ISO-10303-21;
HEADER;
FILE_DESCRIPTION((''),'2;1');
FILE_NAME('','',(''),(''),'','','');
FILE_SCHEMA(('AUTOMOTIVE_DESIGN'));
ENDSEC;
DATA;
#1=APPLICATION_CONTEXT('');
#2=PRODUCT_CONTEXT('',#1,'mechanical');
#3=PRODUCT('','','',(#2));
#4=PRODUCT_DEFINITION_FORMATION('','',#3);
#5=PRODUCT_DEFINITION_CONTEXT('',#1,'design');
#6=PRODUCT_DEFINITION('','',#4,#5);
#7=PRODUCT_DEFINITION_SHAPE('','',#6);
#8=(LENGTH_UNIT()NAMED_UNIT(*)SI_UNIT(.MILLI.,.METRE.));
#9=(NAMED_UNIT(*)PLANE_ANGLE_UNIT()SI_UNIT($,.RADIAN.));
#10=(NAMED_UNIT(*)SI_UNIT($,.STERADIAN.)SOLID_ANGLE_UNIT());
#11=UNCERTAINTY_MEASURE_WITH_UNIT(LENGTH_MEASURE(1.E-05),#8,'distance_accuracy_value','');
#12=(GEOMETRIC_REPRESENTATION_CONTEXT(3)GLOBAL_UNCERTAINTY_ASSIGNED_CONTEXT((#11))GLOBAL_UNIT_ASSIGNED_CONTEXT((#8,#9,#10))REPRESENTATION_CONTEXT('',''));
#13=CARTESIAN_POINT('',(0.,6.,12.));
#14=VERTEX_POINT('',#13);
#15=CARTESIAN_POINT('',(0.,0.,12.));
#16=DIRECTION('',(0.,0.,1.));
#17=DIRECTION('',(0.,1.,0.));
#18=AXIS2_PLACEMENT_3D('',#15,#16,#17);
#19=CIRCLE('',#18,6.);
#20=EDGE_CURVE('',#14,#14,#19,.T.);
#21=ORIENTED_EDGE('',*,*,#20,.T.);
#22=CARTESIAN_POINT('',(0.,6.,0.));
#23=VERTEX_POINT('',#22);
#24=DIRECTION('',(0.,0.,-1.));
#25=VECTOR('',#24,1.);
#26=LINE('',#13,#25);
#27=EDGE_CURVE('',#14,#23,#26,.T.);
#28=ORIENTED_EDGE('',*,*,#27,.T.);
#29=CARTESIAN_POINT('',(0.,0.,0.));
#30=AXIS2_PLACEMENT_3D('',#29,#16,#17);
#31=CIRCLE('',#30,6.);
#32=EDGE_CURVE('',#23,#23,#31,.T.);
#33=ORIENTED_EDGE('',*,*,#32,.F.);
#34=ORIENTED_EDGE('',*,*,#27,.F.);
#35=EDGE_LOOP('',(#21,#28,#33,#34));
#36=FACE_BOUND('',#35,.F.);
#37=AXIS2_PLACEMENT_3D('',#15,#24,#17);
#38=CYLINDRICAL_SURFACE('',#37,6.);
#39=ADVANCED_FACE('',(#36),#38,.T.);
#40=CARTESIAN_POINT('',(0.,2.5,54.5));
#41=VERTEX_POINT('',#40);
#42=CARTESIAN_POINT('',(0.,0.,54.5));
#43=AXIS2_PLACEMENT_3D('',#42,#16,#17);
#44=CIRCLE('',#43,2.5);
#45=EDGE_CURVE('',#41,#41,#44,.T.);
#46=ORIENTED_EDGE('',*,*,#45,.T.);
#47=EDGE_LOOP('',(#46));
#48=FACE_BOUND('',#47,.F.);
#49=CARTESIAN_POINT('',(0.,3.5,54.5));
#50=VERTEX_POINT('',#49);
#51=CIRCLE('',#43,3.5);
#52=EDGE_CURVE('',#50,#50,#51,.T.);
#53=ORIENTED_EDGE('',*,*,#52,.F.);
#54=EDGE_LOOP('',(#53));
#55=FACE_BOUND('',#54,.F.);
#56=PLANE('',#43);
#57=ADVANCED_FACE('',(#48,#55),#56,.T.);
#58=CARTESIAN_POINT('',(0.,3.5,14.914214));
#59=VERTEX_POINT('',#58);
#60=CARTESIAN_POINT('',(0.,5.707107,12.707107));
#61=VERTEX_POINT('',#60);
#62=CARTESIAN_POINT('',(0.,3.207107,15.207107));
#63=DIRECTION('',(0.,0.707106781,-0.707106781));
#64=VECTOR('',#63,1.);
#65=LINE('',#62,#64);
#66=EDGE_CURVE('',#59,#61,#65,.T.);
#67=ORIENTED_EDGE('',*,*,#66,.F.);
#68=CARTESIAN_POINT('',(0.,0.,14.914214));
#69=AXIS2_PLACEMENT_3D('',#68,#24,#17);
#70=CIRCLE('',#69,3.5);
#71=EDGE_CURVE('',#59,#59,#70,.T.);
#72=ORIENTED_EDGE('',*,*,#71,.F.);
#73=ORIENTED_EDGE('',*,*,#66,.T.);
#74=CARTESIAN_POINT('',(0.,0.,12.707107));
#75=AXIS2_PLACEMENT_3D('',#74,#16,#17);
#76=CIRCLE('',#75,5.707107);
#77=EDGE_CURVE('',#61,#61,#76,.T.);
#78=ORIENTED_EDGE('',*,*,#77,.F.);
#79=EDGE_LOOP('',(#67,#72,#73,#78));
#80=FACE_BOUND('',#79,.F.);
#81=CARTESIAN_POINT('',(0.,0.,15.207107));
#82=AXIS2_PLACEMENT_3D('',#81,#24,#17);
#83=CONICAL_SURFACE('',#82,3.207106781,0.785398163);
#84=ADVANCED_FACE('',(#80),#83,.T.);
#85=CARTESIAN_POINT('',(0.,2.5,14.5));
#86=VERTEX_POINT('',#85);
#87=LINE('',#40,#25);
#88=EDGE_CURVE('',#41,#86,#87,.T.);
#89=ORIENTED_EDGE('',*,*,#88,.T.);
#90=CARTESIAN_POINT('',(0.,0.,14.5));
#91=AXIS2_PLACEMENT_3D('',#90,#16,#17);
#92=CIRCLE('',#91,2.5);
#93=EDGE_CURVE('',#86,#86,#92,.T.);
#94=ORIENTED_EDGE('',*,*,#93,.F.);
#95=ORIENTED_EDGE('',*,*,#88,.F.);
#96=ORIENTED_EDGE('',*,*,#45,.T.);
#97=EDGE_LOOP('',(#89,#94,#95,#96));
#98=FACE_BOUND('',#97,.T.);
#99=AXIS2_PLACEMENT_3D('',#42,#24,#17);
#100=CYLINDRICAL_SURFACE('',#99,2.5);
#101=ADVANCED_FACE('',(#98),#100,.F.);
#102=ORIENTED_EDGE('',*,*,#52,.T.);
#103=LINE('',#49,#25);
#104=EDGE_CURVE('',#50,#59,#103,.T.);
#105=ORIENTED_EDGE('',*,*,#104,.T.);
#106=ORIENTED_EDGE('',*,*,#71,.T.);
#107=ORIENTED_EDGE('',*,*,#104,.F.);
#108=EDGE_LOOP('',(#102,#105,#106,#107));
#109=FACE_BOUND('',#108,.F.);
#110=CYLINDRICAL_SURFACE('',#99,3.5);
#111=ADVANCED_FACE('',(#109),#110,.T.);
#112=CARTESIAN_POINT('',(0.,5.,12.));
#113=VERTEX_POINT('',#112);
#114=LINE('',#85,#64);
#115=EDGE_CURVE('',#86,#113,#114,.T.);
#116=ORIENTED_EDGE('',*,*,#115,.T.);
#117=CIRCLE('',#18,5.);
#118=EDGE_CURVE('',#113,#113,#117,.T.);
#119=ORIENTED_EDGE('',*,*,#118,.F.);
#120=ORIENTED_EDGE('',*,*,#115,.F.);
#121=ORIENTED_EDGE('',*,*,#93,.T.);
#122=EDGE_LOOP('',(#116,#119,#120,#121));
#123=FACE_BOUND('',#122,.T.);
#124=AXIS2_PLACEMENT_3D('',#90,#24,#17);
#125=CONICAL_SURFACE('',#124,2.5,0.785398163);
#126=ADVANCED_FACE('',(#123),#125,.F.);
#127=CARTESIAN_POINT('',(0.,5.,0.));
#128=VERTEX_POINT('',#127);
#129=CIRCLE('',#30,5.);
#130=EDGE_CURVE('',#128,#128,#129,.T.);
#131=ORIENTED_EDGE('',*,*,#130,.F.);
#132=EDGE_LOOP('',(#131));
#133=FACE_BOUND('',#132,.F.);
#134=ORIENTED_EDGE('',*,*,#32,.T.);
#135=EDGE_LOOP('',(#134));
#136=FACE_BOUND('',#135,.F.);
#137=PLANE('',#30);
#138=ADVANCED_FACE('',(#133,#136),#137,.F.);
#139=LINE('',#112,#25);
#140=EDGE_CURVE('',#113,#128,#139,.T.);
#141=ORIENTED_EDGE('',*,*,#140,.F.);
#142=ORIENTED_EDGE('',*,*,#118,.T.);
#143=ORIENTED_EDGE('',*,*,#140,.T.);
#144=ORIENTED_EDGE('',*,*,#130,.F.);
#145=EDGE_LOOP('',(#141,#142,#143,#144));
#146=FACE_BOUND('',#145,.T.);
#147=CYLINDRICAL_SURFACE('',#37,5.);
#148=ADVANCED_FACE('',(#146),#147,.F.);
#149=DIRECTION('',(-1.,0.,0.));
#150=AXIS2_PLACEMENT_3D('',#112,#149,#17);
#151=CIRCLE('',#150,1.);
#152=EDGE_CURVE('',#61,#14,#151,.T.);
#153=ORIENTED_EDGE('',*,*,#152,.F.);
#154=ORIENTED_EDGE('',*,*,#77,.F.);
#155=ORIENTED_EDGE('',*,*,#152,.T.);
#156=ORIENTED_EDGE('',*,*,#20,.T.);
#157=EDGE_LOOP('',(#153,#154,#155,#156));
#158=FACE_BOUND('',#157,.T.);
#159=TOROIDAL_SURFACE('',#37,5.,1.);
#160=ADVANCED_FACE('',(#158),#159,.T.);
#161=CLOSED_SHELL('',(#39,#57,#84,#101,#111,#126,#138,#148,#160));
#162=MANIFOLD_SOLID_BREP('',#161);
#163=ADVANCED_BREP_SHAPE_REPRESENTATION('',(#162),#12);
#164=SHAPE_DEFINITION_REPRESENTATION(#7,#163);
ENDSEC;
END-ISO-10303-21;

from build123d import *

# Parameters (mm, degrees)
THICKNESS_T = 1


with BuildPart() as part:
    # Sketch → Revolution (revolve)
    with BuildSketch(Plane.YZ):
        Polygon((0, 54.5), (2.5, 54.5), (2.5, 14.5), (5, 12), (5, 0), (0, 0), align=None)
    revolve(axis=Axis((0, 0, 0), (0, 0, 1)))

    # Thickness
    thickness_openings = [part.faces().sort_by_distance(p)[0] for p in [
        (0, 0, 54.5),
        (0, 0, 0),
    ]]
    offset(amount=THICKNESS_T, openings=thickness_openings)


solid = part.part
